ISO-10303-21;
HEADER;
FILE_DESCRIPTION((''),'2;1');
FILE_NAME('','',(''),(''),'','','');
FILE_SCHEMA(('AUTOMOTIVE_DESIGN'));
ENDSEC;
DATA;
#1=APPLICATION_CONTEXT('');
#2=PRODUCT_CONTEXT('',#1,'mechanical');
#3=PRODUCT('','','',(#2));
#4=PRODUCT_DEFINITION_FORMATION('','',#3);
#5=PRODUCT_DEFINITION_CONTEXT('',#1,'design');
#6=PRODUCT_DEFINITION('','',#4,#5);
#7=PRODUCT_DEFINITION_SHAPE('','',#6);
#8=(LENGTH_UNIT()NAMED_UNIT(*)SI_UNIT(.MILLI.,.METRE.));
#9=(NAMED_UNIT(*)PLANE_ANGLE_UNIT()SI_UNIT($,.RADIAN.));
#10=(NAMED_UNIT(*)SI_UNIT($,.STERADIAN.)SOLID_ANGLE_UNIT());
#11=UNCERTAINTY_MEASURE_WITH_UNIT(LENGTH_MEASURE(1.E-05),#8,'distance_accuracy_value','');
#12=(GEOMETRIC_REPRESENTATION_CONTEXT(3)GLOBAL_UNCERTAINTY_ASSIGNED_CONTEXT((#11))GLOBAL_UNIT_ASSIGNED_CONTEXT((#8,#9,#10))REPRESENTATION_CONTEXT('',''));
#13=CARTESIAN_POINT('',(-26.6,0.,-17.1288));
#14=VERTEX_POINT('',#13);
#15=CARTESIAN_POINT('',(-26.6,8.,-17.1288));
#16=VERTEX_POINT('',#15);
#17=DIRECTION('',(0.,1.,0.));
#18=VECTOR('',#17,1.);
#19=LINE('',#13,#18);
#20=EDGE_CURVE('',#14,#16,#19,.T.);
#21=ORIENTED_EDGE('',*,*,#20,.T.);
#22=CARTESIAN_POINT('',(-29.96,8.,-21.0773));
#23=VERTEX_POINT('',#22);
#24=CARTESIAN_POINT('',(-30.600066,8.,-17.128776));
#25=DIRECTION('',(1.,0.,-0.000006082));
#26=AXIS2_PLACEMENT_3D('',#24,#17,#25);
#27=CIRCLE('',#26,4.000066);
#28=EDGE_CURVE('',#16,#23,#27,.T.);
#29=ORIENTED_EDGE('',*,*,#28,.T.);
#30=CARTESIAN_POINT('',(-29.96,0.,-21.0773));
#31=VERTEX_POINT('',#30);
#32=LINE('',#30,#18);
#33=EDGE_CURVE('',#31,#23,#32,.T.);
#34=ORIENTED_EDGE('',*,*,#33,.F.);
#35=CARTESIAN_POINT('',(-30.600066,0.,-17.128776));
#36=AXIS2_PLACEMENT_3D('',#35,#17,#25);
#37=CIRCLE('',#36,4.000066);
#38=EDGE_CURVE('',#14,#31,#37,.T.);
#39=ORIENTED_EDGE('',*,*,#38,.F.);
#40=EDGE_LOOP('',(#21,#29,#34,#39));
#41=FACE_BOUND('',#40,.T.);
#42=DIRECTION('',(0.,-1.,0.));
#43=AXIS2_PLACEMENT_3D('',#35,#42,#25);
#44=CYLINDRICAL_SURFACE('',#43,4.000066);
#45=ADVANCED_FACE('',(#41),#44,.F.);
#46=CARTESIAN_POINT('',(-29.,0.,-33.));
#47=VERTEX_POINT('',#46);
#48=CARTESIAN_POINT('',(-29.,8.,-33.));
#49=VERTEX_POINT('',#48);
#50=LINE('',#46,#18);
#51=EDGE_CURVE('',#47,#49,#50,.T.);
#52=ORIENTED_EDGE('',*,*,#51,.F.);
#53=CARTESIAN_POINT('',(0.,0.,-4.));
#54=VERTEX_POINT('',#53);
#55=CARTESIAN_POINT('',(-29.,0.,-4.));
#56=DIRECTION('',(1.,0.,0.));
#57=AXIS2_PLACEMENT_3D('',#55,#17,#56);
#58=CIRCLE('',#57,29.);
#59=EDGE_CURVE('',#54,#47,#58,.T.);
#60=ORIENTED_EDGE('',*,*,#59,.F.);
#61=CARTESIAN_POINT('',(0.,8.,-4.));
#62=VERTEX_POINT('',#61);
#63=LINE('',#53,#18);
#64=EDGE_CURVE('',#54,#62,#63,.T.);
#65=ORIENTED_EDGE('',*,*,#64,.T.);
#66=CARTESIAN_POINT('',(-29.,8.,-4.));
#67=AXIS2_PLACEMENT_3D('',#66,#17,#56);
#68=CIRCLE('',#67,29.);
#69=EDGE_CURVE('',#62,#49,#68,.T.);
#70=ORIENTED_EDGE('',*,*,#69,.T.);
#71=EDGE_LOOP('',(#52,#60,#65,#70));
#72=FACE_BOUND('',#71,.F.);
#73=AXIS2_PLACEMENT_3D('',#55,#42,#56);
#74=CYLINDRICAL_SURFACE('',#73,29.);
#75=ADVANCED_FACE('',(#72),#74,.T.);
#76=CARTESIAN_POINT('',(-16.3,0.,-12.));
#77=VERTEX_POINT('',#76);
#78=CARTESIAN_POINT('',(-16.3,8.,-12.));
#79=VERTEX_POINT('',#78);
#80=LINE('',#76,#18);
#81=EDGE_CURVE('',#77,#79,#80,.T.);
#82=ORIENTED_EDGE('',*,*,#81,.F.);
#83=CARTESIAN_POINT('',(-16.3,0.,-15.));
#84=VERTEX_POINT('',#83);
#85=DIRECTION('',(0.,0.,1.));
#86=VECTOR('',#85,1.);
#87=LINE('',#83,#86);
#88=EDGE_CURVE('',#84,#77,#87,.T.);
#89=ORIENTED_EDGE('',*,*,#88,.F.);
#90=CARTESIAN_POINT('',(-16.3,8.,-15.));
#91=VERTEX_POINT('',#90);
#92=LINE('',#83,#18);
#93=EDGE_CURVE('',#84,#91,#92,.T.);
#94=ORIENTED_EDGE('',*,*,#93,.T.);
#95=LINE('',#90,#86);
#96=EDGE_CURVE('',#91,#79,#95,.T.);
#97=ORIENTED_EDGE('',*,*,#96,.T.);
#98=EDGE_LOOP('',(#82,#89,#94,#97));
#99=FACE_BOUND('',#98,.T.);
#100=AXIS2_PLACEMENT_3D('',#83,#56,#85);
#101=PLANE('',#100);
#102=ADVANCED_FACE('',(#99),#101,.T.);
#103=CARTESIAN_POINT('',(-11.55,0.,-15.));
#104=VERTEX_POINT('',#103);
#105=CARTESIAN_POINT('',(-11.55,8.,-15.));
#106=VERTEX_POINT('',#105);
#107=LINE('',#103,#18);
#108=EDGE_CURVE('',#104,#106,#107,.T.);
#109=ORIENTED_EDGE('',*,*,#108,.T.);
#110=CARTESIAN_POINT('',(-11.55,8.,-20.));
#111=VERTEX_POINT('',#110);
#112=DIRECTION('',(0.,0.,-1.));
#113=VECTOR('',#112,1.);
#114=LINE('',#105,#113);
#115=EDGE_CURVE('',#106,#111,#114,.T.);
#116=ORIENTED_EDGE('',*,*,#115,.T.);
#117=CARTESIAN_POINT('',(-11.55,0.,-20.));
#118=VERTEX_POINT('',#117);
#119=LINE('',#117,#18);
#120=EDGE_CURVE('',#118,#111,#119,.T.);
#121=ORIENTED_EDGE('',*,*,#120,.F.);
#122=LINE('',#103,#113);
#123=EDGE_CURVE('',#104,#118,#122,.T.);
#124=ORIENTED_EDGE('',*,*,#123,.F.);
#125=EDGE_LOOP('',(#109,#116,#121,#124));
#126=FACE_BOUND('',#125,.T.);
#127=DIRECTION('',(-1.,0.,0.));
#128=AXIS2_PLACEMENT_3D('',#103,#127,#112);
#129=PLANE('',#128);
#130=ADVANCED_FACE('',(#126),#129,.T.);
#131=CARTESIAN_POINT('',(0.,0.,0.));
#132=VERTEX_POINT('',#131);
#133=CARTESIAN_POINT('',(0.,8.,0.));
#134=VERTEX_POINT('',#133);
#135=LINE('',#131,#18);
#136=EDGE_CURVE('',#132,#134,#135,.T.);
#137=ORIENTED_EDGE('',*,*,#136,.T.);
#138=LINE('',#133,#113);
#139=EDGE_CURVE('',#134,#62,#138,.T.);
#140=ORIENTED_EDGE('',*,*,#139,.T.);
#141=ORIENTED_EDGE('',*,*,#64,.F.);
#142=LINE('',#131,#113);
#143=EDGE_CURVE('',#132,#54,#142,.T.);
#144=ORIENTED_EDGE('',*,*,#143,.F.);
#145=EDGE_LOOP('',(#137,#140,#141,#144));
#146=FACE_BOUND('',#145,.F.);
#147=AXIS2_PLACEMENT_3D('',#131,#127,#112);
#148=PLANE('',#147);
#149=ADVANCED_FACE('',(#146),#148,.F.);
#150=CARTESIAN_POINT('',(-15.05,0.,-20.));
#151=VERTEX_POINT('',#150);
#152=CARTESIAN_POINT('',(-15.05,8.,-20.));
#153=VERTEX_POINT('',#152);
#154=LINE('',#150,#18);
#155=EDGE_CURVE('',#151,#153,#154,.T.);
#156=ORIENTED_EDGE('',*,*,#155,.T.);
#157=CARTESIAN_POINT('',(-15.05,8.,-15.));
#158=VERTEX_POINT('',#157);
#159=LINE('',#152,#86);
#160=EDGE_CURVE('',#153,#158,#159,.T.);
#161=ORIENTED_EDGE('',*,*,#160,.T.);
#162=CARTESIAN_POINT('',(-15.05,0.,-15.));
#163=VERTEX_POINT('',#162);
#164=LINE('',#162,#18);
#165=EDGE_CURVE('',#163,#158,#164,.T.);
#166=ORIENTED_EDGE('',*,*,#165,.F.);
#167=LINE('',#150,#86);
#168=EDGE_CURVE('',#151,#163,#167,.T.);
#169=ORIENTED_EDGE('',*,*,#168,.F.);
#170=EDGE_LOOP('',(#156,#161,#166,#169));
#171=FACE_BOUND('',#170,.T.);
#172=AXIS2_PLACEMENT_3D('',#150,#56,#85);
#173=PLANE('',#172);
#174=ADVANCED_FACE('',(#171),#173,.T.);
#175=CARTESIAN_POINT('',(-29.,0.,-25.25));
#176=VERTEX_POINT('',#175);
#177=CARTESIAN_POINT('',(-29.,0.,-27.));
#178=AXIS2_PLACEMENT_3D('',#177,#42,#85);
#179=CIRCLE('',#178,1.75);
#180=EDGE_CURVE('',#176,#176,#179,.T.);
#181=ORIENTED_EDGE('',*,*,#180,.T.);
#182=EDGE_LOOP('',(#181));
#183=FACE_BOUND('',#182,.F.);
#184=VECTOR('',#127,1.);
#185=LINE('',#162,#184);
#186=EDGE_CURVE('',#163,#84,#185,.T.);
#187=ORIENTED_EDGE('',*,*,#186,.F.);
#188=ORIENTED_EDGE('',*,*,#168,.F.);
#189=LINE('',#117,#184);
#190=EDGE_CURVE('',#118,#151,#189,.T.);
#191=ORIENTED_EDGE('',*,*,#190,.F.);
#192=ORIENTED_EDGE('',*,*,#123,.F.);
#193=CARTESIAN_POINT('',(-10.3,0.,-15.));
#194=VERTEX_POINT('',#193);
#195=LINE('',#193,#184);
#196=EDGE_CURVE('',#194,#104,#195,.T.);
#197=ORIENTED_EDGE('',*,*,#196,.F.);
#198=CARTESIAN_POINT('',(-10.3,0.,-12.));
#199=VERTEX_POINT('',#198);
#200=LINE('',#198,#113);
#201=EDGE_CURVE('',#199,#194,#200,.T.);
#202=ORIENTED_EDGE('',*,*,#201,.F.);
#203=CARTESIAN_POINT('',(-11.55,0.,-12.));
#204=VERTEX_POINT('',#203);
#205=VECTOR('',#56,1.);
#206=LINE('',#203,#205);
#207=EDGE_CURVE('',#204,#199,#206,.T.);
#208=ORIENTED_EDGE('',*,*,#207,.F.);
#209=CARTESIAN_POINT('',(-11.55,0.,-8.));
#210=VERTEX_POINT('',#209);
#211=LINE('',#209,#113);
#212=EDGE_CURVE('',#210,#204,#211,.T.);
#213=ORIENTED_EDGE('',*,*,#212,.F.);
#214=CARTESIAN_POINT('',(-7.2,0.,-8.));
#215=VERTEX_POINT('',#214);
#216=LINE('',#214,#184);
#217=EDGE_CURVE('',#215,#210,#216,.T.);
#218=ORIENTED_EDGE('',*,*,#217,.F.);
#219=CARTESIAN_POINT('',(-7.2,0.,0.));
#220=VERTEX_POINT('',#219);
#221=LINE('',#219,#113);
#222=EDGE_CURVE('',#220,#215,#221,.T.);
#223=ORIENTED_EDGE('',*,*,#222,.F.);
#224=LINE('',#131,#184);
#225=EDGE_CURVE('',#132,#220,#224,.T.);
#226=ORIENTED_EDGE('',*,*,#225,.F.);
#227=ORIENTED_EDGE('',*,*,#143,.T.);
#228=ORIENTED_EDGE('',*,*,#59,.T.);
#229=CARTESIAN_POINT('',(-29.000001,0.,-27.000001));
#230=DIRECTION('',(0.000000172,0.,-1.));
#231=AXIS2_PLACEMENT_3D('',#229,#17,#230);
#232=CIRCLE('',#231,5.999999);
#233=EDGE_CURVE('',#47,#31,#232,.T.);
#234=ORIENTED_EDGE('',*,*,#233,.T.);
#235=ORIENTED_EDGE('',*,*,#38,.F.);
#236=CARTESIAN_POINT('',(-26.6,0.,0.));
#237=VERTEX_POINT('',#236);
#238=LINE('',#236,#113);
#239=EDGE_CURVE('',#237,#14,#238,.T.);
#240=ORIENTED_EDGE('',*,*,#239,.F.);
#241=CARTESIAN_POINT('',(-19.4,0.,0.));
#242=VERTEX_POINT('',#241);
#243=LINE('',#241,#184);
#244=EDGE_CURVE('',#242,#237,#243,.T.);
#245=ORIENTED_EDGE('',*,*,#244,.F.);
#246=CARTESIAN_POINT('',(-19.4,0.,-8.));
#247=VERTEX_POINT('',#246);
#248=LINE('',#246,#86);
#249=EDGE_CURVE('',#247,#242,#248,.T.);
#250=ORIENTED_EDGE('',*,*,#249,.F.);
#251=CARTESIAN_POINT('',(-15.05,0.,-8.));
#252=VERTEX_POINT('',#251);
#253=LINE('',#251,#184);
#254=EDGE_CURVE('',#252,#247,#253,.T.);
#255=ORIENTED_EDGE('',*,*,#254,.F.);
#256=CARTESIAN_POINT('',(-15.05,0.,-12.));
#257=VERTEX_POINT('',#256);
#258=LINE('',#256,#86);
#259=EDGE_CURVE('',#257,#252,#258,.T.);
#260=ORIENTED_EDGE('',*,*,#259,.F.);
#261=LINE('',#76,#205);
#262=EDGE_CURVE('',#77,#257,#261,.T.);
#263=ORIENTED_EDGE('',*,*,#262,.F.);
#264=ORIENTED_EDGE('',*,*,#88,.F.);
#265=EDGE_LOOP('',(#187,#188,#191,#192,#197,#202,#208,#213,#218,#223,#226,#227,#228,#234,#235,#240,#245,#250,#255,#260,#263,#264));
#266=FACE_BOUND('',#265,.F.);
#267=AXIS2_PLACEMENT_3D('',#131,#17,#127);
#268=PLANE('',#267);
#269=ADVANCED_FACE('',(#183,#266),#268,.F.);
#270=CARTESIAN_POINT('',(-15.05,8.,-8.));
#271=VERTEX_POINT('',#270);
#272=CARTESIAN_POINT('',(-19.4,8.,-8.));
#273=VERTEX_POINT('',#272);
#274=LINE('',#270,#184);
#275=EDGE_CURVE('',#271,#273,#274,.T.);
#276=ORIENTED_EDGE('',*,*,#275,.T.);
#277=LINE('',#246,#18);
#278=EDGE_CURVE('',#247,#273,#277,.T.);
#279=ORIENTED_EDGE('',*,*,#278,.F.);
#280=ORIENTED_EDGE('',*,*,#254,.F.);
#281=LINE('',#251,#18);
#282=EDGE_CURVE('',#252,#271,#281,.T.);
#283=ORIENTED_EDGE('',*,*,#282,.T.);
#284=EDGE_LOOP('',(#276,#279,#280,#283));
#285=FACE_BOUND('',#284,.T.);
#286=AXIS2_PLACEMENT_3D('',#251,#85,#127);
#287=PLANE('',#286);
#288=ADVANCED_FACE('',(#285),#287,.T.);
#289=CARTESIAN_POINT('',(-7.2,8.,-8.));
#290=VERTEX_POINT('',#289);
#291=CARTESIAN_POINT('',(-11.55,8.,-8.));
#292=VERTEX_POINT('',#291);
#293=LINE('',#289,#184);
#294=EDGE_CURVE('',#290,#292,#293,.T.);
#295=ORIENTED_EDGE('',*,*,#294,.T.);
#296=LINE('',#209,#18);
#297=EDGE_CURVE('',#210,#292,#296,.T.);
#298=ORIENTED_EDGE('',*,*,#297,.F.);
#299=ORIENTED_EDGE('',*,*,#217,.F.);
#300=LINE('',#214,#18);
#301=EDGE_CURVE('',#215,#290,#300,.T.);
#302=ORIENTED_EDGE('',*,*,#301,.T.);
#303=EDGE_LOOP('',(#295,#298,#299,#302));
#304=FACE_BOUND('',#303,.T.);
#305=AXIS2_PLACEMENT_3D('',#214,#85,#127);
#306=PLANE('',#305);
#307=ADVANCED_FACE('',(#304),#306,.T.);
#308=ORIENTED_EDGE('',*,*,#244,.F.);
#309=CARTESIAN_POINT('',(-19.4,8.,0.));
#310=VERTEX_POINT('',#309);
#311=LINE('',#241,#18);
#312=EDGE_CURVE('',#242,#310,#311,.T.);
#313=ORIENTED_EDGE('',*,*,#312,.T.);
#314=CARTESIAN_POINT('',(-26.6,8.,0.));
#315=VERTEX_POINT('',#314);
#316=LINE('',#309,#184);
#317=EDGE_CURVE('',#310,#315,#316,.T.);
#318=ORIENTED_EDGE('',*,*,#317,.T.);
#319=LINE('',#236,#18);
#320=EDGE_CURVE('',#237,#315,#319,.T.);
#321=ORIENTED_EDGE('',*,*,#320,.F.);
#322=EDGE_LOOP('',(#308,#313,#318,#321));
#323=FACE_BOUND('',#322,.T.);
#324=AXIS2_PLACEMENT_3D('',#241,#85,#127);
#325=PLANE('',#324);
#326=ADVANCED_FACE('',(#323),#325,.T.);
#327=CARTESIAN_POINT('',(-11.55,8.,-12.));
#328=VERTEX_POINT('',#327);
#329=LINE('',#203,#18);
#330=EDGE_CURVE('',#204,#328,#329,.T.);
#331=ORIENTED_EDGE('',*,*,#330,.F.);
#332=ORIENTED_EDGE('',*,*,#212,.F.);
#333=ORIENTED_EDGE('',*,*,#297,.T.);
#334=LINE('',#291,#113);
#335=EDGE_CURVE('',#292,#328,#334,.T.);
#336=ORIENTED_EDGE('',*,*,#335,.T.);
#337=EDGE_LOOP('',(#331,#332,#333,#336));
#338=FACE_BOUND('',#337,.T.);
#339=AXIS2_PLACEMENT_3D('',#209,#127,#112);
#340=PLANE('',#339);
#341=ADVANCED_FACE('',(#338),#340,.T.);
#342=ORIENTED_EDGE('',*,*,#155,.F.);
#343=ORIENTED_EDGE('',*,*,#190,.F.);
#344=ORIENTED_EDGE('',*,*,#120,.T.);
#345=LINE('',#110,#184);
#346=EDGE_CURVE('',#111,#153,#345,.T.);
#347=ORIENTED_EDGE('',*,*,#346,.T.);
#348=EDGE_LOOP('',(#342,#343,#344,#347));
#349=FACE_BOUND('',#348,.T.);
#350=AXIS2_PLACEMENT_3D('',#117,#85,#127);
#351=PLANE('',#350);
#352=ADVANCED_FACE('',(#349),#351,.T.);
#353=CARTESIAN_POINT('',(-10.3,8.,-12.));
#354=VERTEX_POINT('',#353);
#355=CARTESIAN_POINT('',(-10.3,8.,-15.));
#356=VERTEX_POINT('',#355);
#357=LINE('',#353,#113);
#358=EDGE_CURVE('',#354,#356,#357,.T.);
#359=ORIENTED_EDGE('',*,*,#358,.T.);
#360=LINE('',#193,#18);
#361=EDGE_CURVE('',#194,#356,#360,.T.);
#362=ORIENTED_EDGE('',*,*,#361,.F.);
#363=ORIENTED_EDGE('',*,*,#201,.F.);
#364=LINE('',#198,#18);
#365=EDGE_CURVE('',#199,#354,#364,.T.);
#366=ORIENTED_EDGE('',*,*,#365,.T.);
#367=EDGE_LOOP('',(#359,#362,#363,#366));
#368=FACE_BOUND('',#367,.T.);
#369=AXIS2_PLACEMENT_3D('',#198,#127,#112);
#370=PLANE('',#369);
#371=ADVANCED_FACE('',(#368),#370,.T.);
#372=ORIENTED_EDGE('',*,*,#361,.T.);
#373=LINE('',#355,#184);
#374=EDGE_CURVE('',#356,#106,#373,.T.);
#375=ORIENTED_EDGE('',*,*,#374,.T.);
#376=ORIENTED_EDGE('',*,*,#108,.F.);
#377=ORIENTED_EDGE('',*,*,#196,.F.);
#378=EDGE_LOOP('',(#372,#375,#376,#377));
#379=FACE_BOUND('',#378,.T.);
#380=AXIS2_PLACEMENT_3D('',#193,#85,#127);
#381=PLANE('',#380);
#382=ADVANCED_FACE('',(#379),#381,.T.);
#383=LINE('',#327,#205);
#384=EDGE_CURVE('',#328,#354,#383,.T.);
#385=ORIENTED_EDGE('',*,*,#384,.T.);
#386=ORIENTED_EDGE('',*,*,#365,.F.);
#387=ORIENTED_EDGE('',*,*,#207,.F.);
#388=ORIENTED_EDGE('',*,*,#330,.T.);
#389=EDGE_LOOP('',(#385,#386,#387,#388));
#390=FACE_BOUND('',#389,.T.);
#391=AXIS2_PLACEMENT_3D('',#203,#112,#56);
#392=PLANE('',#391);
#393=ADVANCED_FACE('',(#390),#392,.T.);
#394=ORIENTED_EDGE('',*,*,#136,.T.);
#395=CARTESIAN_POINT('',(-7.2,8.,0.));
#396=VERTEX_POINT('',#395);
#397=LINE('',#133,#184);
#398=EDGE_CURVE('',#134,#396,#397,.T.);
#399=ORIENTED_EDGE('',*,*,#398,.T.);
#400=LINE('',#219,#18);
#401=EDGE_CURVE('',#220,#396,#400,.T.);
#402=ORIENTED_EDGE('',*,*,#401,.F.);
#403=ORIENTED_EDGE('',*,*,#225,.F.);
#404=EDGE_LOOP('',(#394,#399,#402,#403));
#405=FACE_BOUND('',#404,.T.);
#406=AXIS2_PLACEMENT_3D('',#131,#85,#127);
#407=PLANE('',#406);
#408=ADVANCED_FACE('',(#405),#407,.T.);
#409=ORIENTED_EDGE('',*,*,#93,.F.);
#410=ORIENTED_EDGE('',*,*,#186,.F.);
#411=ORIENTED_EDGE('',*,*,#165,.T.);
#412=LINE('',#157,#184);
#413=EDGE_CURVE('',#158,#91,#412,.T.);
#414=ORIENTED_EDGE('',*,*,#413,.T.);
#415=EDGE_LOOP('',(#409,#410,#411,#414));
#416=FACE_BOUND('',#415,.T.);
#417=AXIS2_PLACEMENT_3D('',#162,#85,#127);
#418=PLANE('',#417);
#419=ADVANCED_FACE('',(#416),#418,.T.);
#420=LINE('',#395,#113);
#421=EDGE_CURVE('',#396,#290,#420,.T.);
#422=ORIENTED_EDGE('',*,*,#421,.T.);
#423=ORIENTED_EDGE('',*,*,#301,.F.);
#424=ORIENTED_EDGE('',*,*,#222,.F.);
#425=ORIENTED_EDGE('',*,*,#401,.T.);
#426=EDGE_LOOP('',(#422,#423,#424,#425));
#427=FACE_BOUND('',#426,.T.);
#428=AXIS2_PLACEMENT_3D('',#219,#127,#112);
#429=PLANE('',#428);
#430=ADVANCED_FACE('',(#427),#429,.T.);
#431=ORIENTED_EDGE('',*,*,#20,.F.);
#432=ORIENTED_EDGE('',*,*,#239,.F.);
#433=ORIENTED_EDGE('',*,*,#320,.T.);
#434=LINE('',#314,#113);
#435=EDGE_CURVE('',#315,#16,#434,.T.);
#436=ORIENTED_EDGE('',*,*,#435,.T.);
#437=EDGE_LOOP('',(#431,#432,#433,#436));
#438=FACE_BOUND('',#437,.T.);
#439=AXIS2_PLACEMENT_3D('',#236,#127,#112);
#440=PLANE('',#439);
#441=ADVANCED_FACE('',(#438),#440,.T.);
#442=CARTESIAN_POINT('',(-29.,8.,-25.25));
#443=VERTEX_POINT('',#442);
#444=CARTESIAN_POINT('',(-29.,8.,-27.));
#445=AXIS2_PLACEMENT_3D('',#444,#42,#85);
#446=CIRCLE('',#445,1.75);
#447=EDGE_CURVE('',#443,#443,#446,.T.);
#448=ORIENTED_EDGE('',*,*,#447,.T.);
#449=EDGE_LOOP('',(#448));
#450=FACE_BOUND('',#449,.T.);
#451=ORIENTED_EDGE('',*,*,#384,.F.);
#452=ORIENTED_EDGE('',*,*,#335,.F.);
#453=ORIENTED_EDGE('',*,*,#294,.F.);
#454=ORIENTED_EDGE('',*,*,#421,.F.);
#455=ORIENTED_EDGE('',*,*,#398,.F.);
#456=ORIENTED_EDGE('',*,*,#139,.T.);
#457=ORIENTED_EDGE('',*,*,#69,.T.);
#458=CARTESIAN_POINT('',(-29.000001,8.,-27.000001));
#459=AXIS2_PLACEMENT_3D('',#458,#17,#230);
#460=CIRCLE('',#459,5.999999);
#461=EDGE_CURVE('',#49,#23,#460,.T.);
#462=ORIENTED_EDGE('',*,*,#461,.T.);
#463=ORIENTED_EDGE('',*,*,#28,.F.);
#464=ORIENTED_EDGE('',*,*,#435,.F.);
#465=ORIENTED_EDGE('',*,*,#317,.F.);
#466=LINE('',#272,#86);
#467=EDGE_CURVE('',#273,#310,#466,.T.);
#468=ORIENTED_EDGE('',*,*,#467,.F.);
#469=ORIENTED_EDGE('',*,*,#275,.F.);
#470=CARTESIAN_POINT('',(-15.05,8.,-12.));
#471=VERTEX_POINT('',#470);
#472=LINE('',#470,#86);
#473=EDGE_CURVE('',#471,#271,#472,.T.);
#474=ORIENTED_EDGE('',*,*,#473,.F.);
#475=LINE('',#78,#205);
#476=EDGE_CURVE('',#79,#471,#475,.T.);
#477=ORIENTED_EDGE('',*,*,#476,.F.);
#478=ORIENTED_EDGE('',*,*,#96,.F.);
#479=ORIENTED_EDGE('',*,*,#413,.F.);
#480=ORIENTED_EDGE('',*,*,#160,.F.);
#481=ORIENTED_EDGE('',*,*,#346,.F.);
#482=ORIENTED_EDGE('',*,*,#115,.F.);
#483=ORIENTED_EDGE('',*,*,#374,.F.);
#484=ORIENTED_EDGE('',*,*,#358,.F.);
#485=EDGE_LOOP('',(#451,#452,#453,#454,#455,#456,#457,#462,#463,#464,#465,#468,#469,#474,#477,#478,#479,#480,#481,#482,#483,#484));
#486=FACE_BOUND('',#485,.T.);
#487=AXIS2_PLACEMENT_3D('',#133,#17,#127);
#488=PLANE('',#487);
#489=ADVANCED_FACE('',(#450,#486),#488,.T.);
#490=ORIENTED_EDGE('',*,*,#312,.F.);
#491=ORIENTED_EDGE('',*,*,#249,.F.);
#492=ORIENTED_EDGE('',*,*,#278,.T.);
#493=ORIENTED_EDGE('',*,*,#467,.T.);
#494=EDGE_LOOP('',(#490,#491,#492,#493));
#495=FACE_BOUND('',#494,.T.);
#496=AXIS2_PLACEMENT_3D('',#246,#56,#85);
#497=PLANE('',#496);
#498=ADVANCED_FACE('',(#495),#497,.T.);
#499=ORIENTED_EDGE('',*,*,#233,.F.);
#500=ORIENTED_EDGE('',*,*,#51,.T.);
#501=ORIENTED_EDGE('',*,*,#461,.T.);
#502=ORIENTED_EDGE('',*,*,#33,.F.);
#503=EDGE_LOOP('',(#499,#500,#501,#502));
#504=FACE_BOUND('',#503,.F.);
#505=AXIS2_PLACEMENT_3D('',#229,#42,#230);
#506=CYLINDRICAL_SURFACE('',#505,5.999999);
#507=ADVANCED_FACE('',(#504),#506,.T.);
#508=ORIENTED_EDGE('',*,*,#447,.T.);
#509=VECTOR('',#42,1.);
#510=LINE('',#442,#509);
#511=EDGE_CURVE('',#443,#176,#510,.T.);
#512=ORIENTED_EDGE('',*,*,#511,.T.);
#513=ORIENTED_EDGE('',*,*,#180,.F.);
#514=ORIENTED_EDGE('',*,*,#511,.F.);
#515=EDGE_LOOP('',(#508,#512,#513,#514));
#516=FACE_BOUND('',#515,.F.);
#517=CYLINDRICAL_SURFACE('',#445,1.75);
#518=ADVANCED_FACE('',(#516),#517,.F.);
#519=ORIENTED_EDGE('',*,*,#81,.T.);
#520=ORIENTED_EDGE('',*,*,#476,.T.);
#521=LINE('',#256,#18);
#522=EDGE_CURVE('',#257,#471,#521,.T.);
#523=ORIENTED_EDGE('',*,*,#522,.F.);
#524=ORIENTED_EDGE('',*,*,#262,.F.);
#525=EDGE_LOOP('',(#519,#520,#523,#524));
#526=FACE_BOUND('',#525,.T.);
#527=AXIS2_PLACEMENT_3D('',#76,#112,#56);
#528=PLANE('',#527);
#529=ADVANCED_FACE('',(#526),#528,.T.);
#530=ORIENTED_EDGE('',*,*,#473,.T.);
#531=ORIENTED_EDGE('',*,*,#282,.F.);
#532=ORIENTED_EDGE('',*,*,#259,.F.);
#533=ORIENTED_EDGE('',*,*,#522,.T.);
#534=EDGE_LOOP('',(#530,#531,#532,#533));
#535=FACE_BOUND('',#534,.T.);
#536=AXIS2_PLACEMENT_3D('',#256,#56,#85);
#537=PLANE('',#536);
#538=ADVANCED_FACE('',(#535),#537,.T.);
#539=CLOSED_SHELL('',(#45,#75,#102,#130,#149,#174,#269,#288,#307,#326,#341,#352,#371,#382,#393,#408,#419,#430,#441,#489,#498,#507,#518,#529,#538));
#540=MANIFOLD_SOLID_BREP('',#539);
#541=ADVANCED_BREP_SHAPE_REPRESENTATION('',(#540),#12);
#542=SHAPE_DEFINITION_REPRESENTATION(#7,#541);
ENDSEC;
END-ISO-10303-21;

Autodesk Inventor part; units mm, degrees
ref_plane "YZ Plane" through (0, 0, 0) normal (1, 0, 0) x (0, 1, 0)
sketch "Sketch1" plane through (0, 0, 0) normal (0, 1, 0) x (-1, 0, 0)
  line L0 (0, 0) -> (0, -4)
  line L1 (0, 0) -> (7.2, 0)
  line L2 (7.2, 0) -> (7.2, -8)
  line L3 (7.2, -8) -> (11.55, -8)
  line L4 (11.55, -8) -> (11.55, -12)
  line L5 (11.55, -12) -> (10.3, -12)
  line L6 (10.3, -12) -> (10.3, -15)
  line L7 (10.3, -15) -> (11.55, -15)
  line L8 (11.55, -15) -> (11.55, -20)
  line L9 (11.55, -20) -> (15.05, -20)
  line L10 (15.05, -20) -> (15.05, -15)
  line L11 (15.05, -15) -> (16.3, -15)
  line L12 (16.3, -15) -> (16.3, -12)
  line L13 (16.3, -12) -> (15.05, -12)
  line L14 (15.05, -8) -> (19.4, -8)
  line L15 (19.4, -8) -> (19.4, 0)
  line L16 (19.4, 0) -> (26.6, 0)
  line L17 (26.6, 0) -> (26.6, -17.1288)
  arc A0 (26.6, -17.1288) -> (29.96, -21.0773) centre (30.6, -17.1288) ccw
  line L18 (15.05, -12) -> (15.05, -8)
  arc A1 (0, -4) -> (29, -33) centre (29, -4) ccw
  arc A2 (29, -33) -> (29.96, -21.0773) centre (29, -27) ccw
  line L19 (29, -33) -> (0, -33) construction
  line L20 (0, -33) -> (0, -9.975) construction
  line L21 (13.3, -20) -> (13.3, 0) construction
  dimension "d0" = 7.2
  dimension "d1" = 12.2
  dimension "d2" = 4
  dimension "d3" = 3
  dimension "d4" = 5
  dimension "d5" = 3.5
  dimension "d6" = 6
  dimension "d7" = 8
  dimension "d8" = 7.2
  dimension "d9" = 33
  dimension "d10" = 35
  dimension "d11" = 6
  dimension "d12" = 4
extrude "Extrusion1" add sketch "Sketch1" along normal blind 8
hole "Hole1" at (-29, 8, -27) direction (0, -1, 0) diameter 3.5 end through all
ref_plane "Work Plane1" through (0, 4, 0) normal (0, 1, 0) x (-1, 0, 0)
ref_plane "Work Plane2" through (-13.3, 0, -20) normal (-1, 0, 0) x (0, 0, 1)
equation "\"d24\" = 0.5 * THICKNESS"
equation "\"THICKNESS\" = 8"
properties part number "A8-0013"
